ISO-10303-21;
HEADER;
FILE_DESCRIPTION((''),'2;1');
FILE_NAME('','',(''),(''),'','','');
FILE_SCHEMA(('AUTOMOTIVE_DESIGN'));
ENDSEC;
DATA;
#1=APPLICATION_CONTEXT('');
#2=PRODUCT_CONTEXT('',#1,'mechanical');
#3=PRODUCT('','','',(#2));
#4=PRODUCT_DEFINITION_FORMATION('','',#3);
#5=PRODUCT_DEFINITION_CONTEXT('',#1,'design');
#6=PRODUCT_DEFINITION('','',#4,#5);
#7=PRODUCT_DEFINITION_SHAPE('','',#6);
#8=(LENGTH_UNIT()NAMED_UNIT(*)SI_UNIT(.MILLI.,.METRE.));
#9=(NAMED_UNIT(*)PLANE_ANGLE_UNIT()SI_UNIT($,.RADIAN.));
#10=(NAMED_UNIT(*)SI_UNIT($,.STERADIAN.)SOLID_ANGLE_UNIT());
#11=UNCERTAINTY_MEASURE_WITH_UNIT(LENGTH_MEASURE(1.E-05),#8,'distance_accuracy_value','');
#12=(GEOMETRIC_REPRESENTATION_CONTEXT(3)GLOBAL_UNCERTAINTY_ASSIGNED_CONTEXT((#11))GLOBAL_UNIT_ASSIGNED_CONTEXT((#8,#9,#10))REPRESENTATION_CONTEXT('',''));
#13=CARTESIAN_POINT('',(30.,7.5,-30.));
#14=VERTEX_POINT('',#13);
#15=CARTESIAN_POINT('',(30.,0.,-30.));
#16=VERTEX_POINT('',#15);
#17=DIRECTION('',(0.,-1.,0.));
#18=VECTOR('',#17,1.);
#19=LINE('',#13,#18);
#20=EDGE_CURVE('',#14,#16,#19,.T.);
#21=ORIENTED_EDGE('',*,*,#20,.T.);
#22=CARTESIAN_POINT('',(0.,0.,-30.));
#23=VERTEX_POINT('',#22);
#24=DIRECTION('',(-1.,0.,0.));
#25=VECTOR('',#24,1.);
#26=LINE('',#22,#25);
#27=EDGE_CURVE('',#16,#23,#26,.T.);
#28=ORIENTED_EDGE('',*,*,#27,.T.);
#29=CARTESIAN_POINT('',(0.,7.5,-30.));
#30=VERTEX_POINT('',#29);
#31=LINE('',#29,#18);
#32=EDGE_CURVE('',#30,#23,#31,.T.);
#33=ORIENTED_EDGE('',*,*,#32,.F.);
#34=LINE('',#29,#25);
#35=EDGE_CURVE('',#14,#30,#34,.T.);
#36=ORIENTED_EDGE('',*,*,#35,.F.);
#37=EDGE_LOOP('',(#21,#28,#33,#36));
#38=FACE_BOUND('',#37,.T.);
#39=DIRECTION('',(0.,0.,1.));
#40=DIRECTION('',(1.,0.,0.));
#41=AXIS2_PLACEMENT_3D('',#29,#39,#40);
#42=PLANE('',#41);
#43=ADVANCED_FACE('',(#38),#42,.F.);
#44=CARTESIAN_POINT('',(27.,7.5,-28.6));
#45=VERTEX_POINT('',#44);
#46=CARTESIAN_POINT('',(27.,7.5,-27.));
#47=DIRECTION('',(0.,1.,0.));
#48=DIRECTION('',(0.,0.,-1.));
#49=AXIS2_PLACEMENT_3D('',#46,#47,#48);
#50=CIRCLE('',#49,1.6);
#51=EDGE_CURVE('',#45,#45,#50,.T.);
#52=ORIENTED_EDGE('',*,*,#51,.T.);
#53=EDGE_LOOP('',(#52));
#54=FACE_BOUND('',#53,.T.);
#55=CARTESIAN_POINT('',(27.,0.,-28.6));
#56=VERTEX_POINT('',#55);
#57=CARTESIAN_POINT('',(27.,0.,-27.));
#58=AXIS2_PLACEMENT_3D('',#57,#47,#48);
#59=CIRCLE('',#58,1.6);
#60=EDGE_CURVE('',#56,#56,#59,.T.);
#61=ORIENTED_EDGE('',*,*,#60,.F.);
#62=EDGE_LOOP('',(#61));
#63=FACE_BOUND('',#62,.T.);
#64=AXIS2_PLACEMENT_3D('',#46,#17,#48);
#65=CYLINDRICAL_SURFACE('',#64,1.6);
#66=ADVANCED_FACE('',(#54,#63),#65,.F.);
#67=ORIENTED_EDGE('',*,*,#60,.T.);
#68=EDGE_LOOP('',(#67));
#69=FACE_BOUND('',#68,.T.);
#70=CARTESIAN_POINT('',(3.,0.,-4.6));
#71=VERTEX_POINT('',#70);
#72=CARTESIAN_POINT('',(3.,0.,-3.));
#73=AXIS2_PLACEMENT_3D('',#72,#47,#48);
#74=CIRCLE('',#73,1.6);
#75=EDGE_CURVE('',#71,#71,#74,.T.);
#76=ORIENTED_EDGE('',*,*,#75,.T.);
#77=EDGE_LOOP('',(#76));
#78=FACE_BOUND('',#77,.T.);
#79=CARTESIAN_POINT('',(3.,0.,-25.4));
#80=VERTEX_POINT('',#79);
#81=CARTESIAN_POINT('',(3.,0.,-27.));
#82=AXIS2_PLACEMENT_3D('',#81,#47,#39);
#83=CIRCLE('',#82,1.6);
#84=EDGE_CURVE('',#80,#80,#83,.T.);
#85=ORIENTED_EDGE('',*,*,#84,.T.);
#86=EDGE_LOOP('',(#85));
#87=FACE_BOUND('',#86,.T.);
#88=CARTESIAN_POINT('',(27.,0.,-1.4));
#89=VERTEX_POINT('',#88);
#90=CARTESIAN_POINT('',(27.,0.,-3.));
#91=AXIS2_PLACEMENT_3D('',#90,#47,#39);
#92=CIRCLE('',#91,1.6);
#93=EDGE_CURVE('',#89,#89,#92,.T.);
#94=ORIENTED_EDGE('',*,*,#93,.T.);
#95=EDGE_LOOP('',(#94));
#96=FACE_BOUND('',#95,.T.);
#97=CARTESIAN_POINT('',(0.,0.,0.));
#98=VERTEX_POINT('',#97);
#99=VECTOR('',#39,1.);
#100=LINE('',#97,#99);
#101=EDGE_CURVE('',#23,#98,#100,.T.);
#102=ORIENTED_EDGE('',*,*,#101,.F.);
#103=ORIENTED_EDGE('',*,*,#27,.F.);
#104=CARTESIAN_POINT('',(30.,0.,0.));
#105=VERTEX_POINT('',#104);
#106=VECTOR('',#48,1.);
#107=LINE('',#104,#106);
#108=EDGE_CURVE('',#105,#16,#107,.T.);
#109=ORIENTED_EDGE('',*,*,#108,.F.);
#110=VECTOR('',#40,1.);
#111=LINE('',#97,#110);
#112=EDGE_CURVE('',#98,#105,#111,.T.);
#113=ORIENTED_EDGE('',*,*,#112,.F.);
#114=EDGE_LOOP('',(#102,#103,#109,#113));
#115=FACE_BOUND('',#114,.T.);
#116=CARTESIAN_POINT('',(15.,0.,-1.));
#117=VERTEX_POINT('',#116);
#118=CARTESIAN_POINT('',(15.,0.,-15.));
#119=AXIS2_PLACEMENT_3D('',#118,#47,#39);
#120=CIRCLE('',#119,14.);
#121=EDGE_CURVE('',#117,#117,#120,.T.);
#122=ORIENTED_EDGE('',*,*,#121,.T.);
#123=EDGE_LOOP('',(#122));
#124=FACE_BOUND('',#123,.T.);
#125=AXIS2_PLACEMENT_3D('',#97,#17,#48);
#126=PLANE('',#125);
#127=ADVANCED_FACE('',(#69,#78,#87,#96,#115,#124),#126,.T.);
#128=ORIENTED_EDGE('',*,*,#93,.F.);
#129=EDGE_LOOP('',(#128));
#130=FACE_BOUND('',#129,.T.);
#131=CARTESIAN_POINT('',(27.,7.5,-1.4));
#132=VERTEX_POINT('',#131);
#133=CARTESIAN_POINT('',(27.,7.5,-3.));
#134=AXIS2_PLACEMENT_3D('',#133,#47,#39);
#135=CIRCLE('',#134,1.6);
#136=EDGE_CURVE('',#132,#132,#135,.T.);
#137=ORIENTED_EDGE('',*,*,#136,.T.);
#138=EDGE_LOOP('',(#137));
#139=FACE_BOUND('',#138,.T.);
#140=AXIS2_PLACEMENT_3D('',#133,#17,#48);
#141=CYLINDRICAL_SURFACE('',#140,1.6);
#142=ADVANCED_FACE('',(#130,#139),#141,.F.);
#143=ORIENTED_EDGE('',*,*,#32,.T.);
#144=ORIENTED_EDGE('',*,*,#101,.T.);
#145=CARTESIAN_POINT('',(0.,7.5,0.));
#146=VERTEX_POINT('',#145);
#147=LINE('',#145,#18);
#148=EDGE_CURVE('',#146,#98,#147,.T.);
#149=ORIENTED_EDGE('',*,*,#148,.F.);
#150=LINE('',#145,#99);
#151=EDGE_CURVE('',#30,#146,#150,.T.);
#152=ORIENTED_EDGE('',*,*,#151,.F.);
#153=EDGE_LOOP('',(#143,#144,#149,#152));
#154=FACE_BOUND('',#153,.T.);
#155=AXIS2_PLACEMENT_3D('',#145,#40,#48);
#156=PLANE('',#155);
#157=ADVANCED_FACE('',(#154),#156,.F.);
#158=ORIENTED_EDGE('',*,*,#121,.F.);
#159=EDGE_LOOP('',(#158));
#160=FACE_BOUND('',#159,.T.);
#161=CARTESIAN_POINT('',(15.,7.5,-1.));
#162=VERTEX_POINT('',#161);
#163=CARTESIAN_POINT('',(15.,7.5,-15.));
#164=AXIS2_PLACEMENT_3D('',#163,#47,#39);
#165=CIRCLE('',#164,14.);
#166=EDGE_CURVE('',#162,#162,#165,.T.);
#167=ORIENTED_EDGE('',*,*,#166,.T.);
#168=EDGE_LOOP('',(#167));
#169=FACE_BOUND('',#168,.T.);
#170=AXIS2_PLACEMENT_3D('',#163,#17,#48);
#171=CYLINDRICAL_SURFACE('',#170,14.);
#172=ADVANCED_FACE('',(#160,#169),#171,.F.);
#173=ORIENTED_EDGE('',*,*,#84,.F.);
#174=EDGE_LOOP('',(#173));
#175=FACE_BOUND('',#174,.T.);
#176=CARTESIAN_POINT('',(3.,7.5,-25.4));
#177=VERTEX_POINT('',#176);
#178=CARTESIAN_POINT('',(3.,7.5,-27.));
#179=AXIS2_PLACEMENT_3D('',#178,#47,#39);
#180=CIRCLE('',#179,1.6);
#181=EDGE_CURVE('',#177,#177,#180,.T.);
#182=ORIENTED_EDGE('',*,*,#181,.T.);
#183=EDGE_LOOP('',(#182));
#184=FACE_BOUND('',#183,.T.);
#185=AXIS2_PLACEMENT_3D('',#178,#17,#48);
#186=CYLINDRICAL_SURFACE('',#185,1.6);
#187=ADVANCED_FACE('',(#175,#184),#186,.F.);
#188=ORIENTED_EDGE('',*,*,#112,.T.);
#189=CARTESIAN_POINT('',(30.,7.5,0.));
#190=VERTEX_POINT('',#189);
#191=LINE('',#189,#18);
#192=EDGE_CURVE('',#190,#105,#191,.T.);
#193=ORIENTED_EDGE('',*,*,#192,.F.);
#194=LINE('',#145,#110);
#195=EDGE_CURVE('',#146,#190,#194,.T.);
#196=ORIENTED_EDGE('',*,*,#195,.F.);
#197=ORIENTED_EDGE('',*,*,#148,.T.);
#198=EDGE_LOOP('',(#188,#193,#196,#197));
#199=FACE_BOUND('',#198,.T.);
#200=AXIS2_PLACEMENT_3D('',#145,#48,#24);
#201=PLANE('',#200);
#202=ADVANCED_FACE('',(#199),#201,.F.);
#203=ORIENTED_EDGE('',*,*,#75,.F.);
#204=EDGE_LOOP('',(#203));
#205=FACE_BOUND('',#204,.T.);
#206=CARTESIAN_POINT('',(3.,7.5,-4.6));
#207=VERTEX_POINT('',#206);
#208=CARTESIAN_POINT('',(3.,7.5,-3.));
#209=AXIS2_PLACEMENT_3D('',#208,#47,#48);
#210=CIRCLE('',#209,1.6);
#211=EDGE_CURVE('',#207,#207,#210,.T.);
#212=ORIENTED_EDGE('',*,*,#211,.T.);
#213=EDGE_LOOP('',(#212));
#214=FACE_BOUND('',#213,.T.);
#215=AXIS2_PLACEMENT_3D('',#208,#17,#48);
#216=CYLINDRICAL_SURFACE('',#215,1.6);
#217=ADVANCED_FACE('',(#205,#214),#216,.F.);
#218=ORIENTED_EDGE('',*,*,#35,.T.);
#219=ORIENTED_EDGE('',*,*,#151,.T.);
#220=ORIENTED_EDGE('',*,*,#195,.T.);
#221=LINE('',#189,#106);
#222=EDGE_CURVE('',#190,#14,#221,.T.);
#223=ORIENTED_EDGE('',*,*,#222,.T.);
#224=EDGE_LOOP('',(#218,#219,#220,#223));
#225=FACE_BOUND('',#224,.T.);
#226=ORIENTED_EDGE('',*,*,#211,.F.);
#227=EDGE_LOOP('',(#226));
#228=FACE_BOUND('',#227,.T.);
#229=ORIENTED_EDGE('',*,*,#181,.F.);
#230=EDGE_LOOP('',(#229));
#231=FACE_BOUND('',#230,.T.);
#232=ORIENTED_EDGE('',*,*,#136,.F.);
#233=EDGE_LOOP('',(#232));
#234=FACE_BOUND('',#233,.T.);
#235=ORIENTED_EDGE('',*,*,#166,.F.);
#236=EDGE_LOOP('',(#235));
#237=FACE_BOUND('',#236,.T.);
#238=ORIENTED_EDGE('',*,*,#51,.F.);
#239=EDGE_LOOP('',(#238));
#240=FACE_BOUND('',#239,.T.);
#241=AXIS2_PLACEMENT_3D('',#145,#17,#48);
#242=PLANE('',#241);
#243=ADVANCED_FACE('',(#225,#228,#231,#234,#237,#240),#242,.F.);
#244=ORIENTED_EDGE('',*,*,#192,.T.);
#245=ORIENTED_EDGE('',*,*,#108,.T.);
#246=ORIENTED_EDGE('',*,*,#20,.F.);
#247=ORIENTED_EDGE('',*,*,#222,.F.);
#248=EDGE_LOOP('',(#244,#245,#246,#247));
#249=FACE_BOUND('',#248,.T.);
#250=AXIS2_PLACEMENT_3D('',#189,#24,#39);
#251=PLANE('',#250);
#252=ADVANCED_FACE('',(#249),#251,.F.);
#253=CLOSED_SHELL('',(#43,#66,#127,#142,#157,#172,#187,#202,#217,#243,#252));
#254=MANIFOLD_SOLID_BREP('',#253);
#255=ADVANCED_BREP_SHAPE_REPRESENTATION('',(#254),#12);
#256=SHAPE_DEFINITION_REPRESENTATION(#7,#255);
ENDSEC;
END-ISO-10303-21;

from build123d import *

# Parameters (mm, degrees)
SKETCH1_W           = 30
SKETCH1_H           = 30
SKETCH1_R           = 1.6
SKETCH1_R_2         = 14
BOSS_EXTRUDE1_DEPTH = 7.5


with BuildPart() as part:
    # Sketch1 → Boss-Extrude1 (new body)
    with BuildSketch(Plane(origin=(0, 0, 0), x_dir=(1, 0, 0), z_dir=(0, 1, 0))):
        with Locations((15, 15)):
            Rectangle(SKETCH1_W, SKETCH1_H)
        with Locations((3, 27)):
            Circle(SKETCH1_R, mode=Mode.SUBTRACT)
        with Locations((27, 27)):
            Circle(SKETCH1_R, mode=Mode.SUBTRACT)
        with Locations((27, 3)):
            Circle(SKETCH1_R, mode=Mode.SUBTRACT)
        with Locations((3, 3)):
            Circle(SKETCH1_R, mode=Mode.SUBTRACT)
        with Locations((15, 15)):
            Circle(SKETCH1_R_2, mode=Mode.SUBTRACT)
    extrude(amount=BOSS_EXTRUDE1_DEPTH)


solid = part.part
